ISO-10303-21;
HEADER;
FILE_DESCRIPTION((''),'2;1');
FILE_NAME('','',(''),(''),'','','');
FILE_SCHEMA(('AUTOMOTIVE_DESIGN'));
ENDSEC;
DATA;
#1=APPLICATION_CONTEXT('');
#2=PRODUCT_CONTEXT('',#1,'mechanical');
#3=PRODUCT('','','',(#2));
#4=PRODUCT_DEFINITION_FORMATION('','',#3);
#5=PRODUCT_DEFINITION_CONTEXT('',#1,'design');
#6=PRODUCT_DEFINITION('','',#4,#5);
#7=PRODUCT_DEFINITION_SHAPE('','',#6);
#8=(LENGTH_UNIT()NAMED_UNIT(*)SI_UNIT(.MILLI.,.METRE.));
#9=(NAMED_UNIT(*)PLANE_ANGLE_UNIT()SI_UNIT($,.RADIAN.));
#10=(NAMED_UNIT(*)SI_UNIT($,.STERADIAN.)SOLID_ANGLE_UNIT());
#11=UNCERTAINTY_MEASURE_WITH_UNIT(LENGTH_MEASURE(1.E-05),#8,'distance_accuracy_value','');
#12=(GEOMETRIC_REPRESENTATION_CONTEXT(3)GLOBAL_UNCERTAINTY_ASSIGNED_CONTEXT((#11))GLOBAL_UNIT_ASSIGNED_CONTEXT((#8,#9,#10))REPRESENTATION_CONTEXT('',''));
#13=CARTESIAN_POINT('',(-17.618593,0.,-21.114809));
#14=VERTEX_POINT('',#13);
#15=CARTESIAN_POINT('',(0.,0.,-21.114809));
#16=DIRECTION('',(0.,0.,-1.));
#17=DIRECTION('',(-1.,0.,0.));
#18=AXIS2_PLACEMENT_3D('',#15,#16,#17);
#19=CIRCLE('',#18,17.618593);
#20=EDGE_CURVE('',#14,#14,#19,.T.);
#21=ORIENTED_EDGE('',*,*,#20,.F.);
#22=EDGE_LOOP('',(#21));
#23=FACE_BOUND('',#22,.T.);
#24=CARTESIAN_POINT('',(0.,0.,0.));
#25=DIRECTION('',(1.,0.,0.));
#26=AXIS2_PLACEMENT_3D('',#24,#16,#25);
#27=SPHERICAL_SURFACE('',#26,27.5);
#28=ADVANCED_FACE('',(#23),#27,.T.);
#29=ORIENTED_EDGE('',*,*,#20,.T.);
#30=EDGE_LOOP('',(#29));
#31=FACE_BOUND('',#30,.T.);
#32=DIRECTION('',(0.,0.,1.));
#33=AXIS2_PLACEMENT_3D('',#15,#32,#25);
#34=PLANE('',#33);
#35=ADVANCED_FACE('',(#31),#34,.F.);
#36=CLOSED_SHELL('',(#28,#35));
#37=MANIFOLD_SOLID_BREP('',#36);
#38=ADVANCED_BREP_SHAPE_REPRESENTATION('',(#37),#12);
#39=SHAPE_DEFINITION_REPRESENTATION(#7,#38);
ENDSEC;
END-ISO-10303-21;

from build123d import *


with BuildPart() as part:
    # Sketch1 → Revolve1 (revolve)
    with BuildSketch(Plane(origin=(0, 0, 0), x_dir=(1, 0, 0), z_dir=(0, 1, 0))):
        with BuildLine():
            Line((0, 21.114809499), (17.618593014, 21.114809499))
            ThreePointArc((17.618593014, 21.114809499), (25.854470225, -9.369971685), (0, -27.5))
            Line((0, -27.5), (0, 21.114809499))
        make_face()
    revolve(axis=Axis((0, 0, -58.417478446), (0, 0, 1)))


solid = part.part
